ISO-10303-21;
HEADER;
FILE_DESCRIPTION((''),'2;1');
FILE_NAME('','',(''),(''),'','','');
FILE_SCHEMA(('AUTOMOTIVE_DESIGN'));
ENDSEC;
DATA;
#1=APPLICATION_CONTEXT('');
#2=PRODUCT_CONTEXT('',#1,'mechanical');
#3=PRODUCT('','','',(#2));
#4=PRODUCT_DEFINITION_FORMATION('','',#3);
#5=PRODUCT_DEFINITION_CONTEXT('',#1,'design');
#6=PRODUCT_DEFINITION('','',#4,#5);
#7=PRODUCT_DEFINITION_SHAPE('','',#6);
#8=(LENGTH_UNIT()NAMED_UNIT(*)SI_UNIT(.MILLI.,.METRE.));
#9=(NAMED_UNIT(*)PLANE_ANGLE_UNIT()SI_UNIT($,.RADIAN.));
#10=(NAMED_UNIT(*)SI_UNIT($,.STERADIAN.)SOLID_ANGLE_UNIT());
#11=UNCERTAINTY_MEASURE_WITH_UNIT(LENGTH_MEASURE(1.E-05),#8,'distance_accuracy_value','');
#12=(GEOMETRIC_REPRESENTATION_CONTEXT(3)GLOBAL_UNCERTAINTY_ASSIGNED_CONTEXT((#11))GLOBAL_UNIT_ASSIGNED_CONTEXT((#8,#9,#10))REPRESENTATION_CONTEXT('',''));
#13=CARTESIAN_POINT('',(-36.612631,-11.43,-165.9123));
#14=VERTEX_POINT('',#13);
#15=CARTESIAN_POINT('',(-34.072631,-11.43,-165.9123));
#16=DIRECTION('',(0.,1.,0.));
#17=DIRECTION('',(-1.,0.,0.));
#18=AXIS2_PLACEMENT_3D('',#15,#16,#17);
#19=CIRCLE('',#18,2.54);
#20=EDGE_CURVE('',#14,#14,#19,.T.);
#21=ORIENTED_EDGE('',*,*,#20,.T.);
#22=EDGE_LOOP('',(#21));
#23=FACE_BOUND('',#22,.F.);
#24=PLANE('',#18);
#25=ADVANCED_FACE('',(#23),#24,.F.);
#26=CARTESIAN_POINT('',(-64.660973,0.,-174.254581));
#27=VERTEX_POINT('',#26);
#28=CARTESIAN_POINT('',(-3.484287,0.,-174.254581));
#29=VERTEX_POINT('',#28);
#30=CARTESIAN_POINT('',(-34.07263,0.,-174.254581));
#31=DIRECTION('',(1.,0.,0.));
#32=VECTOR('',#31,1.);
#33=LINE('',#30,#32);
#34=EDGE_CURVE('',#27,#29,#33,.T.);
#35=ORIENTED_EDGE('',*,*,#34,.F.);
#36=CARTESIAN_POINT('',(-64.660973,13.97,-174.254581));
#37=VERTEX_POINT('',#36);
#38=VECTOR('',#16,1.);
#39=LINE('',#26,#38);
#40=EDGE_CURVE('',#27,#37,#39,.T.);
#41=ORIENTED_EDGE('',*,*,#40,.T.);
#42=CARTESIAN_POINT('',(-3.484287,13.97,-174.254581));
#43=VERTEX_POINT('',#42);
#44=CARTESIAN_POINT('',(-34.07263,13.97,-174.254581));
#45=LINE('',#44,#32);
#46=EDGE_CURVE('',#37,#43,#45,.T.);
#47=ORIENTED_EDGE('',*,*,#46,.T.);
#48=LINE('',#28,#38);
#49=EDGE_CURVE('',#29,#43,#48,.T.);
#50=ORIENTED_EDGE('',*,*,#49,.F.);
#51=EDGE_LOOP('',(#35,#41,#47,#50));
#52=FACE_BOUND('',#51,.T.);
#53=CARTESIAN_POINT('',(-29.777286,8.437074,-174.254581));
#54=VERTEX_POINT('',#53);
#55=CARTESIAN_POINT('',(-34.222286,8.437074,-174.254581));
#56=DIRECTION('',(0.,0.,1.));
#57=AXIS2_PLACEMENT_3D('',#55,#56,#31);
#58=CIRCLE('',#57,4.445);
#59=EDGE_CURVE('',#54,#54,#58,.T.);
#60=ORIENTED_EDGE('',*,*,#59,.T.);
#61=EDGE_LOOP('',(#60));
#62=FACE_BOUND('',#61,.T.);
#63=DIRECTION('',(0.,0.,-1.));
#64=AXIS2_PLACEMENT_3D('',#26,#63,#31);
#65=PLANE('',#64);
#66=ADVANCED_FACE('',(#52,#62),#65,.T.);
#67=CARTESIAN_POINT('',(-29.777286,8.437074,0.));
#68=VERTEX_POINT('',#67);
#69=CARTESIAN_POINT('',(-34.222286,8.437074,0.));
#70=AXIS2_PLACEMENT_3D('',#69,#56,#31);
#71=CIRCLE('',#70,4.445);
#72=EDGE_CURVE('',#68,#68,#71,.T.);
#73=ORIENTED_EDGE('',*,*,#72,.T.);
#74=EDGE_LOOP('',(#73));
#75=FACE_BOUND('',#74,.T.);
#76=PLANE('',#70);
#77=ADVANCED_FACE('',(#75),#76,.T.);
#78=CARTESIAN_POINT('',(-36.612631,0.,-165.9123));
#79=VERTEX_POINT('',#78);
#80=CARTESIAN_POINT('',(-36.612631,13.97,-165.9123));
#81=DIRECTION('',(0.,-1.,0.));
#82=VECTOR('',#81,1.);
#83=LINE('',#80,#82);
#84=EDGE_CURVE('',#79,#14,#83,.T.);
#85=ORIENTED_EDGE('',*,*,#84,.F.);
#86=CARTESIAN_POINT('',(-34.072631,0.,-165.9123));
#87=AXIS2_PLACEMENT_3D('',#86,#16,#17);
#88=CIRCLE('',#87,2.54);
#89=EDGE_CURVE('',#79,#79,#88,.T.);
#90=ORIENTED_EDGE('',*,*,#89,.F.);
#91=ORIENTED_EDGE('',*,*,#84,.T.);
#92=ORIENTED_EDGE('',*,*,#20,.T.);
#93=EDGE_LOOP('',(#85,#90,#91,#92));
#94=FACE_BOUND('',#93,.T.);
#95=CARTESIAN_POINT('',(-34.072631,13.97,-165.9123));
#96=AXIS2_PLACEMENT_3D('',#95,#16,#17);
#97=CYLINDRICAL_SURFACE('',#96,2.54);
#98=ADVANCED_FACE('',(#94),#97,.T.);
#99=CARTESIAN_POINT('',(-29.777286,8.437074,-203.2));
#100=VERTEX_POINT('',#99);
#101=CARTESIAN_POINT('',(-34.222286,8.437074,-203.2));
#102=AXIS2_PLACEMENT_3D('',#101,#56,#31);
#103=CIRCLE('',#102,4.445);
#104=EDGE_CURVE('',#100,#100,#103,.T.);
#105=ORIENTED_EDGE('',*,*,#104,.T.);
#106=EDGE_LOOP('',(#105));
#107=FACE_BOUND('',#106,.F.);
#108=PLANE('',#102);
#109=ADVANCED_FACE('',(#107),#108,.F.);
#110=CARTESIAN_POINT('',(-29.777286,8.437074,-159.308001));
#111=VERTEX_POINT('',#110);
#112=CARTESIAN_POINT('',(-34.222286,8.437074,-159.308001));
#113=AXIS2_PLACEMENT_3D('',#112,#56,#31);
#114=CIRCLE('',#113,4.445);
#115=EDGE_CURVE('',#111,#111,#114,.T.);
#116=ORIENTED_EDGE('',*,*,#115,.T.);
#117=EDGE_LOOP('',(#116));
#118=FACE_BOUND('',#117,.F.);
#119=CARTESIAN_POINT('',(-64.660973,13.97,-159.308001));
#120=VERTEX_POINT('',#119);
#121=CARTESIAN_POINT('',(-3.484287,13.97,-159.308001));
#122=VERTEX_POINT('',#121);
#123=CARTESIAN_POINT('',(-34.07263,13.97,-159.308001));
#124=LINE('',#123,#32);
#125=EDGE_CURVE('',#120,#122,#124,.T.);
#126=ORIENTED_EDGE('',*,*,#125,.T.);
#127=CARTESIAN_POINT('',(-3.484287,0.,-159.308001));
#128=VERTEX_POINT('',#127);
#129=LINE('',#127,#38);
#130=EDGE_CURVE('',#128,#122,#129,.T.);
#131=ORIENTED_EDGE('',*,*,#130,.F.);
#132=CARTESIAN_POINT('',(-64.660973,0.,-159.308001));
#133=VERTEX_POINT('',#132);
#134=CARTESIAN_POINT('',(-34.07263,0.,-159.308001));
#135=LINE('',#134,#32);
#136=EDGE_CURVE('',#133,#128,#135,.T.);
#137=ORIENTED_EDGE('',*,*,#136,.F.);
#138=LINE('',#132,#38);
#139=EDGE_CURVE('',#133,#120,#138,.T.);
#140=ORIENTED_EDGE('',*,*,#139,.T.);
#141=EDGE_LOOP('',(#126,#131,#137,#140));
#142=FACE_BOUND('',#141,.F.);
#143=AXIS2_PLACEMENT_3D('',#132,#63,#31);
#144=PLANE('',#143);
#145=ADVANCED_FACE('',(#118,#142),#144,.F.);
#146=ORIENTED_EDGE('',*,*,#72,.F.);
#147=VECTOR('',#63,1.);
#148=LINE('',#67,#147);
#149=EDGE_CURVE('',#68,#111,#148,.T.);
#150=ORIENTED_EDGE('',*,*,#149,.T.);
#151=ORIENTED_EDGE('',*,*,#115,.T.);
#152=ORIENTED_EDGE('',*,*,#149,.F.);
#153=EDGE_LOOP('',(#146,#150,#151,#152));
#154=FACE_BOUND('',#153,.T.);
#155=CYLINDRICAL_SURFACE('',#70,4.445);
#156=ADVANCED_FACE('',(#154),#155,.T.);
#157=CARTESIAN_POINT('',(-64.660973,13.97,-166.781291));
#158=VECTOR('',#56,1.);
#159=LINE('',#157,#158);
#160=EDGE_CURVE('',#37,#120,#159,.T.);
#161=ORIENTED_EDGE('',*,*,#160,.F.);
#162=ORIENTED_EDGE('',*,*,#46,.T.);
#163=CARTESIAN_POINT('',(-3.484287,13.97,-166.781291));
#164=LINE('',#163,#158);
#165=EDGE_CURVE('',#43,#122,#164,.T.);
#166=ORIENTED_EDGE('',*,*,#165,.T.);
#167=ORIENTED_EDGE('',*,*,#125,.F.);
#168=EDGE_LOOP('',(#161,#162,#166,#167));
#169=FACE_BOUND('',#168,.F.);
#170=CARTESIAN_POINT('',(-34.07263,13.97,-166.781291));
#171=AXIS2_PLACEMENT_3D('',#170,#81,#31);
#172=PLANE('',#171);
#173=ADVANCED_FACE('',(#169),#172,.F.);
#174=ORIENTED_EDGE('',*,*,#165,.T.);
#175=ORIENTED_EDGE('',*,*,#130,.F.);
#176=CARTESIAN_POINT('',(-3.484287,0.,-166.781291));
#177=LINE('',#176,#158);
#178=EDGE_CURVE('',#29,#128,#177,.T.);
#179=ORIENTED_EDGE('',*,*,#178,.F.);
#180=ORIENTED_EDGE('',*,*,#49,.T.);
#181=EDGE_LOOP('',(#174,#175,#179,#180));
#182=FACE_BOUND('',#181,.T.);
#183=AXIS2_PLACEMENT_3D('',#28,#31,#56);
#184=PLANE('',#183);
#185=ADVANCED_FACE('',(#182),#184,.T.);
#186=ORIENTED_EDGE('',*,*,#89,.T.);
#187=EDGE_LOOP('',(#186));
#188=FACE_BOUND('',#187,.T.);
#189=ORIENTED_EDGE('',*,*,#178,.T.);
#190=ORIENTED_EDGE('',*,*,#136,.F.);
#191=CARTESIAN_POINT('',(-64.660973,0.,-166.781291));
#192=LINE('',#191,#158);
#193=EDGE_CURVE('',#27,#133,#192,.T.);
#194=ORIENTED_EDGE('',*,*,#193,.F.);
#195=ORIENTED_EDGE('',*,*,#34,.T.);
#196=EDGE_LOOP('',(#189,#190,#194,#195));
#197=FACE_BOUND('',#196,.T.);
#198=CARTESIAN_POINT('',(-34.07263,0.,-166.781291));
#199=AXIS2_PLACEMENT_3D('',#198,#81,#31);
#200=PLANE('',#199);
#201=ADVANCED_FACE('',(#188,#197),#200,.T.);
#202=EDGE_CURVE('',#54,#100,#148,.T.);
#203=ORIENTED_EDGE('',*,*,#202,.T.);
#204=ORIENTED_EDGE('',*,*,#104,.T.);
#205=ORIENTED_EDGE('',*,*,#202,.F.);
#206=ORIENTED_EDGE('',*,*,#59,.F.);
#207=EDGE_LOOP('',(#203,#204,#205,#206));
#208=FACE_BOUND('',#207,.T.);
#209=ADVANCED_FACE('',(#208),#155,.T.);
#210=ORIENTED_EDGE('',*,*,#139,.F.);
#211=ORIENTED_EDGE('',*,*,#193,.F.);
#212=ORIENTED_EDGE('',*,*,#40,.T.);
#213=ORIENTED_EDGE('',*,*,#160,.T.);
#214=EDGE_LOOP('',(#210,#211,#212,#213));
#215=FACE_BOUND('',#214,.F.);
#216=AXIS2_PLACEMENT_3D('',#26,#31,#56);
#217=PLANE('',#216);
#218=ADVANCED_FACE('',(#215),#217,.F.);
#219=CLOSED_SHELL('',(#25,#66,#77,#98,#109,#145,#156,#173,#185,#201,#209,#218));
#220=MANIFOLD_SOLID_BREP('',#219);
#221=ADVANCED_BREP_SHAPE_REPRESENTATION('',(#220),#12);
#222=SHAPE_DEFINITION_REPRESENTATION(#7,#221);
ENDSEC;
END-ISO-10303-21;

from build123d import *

# Parameters (mm, degrees)
F0_R     = 4.445
F1_DEPTH = 203.2
F2_W     = 61.176687
F2_H     = 14.94658
F2_R     = 2.485662
F3_DEPTH = 13.97
F4_R     = 2.54
F5_DEPTH = 25.4


with BuildPart() as f1:
    # F0 (on Top) → F1 (new body)
    with BuildSketch(Plane.XY):
        with Locations((-34.222286, 8.437074)):
            Circle(F0_R)
    extrude(amount=-F1_DEPTH)

    # F2 (on Front) → F3 (join)
    with BuildSketch(Plane.XZ):
        with Locations((-34.07263, -166.781291)):
            Rectangle(F2_W, F2_H)
        with Locations((-34.072631, -165.9123)):
            Circle(F2_R, mode=Mode.SUBTRACT)
    extrude(amount=-F3_DEPTH)

    # F4 (on face) → F5 (join)
    with BuildSketch(Plane(origin=(0, 13.97, 0), x_dir=(-1, 0, 0), z_dir=(0, 1, 0))):
        with Locations((34.072631, -165.9123)):
            Circle(F4_R)
    extrude(amount=-F5_DEPTH)


solid = f1.part
